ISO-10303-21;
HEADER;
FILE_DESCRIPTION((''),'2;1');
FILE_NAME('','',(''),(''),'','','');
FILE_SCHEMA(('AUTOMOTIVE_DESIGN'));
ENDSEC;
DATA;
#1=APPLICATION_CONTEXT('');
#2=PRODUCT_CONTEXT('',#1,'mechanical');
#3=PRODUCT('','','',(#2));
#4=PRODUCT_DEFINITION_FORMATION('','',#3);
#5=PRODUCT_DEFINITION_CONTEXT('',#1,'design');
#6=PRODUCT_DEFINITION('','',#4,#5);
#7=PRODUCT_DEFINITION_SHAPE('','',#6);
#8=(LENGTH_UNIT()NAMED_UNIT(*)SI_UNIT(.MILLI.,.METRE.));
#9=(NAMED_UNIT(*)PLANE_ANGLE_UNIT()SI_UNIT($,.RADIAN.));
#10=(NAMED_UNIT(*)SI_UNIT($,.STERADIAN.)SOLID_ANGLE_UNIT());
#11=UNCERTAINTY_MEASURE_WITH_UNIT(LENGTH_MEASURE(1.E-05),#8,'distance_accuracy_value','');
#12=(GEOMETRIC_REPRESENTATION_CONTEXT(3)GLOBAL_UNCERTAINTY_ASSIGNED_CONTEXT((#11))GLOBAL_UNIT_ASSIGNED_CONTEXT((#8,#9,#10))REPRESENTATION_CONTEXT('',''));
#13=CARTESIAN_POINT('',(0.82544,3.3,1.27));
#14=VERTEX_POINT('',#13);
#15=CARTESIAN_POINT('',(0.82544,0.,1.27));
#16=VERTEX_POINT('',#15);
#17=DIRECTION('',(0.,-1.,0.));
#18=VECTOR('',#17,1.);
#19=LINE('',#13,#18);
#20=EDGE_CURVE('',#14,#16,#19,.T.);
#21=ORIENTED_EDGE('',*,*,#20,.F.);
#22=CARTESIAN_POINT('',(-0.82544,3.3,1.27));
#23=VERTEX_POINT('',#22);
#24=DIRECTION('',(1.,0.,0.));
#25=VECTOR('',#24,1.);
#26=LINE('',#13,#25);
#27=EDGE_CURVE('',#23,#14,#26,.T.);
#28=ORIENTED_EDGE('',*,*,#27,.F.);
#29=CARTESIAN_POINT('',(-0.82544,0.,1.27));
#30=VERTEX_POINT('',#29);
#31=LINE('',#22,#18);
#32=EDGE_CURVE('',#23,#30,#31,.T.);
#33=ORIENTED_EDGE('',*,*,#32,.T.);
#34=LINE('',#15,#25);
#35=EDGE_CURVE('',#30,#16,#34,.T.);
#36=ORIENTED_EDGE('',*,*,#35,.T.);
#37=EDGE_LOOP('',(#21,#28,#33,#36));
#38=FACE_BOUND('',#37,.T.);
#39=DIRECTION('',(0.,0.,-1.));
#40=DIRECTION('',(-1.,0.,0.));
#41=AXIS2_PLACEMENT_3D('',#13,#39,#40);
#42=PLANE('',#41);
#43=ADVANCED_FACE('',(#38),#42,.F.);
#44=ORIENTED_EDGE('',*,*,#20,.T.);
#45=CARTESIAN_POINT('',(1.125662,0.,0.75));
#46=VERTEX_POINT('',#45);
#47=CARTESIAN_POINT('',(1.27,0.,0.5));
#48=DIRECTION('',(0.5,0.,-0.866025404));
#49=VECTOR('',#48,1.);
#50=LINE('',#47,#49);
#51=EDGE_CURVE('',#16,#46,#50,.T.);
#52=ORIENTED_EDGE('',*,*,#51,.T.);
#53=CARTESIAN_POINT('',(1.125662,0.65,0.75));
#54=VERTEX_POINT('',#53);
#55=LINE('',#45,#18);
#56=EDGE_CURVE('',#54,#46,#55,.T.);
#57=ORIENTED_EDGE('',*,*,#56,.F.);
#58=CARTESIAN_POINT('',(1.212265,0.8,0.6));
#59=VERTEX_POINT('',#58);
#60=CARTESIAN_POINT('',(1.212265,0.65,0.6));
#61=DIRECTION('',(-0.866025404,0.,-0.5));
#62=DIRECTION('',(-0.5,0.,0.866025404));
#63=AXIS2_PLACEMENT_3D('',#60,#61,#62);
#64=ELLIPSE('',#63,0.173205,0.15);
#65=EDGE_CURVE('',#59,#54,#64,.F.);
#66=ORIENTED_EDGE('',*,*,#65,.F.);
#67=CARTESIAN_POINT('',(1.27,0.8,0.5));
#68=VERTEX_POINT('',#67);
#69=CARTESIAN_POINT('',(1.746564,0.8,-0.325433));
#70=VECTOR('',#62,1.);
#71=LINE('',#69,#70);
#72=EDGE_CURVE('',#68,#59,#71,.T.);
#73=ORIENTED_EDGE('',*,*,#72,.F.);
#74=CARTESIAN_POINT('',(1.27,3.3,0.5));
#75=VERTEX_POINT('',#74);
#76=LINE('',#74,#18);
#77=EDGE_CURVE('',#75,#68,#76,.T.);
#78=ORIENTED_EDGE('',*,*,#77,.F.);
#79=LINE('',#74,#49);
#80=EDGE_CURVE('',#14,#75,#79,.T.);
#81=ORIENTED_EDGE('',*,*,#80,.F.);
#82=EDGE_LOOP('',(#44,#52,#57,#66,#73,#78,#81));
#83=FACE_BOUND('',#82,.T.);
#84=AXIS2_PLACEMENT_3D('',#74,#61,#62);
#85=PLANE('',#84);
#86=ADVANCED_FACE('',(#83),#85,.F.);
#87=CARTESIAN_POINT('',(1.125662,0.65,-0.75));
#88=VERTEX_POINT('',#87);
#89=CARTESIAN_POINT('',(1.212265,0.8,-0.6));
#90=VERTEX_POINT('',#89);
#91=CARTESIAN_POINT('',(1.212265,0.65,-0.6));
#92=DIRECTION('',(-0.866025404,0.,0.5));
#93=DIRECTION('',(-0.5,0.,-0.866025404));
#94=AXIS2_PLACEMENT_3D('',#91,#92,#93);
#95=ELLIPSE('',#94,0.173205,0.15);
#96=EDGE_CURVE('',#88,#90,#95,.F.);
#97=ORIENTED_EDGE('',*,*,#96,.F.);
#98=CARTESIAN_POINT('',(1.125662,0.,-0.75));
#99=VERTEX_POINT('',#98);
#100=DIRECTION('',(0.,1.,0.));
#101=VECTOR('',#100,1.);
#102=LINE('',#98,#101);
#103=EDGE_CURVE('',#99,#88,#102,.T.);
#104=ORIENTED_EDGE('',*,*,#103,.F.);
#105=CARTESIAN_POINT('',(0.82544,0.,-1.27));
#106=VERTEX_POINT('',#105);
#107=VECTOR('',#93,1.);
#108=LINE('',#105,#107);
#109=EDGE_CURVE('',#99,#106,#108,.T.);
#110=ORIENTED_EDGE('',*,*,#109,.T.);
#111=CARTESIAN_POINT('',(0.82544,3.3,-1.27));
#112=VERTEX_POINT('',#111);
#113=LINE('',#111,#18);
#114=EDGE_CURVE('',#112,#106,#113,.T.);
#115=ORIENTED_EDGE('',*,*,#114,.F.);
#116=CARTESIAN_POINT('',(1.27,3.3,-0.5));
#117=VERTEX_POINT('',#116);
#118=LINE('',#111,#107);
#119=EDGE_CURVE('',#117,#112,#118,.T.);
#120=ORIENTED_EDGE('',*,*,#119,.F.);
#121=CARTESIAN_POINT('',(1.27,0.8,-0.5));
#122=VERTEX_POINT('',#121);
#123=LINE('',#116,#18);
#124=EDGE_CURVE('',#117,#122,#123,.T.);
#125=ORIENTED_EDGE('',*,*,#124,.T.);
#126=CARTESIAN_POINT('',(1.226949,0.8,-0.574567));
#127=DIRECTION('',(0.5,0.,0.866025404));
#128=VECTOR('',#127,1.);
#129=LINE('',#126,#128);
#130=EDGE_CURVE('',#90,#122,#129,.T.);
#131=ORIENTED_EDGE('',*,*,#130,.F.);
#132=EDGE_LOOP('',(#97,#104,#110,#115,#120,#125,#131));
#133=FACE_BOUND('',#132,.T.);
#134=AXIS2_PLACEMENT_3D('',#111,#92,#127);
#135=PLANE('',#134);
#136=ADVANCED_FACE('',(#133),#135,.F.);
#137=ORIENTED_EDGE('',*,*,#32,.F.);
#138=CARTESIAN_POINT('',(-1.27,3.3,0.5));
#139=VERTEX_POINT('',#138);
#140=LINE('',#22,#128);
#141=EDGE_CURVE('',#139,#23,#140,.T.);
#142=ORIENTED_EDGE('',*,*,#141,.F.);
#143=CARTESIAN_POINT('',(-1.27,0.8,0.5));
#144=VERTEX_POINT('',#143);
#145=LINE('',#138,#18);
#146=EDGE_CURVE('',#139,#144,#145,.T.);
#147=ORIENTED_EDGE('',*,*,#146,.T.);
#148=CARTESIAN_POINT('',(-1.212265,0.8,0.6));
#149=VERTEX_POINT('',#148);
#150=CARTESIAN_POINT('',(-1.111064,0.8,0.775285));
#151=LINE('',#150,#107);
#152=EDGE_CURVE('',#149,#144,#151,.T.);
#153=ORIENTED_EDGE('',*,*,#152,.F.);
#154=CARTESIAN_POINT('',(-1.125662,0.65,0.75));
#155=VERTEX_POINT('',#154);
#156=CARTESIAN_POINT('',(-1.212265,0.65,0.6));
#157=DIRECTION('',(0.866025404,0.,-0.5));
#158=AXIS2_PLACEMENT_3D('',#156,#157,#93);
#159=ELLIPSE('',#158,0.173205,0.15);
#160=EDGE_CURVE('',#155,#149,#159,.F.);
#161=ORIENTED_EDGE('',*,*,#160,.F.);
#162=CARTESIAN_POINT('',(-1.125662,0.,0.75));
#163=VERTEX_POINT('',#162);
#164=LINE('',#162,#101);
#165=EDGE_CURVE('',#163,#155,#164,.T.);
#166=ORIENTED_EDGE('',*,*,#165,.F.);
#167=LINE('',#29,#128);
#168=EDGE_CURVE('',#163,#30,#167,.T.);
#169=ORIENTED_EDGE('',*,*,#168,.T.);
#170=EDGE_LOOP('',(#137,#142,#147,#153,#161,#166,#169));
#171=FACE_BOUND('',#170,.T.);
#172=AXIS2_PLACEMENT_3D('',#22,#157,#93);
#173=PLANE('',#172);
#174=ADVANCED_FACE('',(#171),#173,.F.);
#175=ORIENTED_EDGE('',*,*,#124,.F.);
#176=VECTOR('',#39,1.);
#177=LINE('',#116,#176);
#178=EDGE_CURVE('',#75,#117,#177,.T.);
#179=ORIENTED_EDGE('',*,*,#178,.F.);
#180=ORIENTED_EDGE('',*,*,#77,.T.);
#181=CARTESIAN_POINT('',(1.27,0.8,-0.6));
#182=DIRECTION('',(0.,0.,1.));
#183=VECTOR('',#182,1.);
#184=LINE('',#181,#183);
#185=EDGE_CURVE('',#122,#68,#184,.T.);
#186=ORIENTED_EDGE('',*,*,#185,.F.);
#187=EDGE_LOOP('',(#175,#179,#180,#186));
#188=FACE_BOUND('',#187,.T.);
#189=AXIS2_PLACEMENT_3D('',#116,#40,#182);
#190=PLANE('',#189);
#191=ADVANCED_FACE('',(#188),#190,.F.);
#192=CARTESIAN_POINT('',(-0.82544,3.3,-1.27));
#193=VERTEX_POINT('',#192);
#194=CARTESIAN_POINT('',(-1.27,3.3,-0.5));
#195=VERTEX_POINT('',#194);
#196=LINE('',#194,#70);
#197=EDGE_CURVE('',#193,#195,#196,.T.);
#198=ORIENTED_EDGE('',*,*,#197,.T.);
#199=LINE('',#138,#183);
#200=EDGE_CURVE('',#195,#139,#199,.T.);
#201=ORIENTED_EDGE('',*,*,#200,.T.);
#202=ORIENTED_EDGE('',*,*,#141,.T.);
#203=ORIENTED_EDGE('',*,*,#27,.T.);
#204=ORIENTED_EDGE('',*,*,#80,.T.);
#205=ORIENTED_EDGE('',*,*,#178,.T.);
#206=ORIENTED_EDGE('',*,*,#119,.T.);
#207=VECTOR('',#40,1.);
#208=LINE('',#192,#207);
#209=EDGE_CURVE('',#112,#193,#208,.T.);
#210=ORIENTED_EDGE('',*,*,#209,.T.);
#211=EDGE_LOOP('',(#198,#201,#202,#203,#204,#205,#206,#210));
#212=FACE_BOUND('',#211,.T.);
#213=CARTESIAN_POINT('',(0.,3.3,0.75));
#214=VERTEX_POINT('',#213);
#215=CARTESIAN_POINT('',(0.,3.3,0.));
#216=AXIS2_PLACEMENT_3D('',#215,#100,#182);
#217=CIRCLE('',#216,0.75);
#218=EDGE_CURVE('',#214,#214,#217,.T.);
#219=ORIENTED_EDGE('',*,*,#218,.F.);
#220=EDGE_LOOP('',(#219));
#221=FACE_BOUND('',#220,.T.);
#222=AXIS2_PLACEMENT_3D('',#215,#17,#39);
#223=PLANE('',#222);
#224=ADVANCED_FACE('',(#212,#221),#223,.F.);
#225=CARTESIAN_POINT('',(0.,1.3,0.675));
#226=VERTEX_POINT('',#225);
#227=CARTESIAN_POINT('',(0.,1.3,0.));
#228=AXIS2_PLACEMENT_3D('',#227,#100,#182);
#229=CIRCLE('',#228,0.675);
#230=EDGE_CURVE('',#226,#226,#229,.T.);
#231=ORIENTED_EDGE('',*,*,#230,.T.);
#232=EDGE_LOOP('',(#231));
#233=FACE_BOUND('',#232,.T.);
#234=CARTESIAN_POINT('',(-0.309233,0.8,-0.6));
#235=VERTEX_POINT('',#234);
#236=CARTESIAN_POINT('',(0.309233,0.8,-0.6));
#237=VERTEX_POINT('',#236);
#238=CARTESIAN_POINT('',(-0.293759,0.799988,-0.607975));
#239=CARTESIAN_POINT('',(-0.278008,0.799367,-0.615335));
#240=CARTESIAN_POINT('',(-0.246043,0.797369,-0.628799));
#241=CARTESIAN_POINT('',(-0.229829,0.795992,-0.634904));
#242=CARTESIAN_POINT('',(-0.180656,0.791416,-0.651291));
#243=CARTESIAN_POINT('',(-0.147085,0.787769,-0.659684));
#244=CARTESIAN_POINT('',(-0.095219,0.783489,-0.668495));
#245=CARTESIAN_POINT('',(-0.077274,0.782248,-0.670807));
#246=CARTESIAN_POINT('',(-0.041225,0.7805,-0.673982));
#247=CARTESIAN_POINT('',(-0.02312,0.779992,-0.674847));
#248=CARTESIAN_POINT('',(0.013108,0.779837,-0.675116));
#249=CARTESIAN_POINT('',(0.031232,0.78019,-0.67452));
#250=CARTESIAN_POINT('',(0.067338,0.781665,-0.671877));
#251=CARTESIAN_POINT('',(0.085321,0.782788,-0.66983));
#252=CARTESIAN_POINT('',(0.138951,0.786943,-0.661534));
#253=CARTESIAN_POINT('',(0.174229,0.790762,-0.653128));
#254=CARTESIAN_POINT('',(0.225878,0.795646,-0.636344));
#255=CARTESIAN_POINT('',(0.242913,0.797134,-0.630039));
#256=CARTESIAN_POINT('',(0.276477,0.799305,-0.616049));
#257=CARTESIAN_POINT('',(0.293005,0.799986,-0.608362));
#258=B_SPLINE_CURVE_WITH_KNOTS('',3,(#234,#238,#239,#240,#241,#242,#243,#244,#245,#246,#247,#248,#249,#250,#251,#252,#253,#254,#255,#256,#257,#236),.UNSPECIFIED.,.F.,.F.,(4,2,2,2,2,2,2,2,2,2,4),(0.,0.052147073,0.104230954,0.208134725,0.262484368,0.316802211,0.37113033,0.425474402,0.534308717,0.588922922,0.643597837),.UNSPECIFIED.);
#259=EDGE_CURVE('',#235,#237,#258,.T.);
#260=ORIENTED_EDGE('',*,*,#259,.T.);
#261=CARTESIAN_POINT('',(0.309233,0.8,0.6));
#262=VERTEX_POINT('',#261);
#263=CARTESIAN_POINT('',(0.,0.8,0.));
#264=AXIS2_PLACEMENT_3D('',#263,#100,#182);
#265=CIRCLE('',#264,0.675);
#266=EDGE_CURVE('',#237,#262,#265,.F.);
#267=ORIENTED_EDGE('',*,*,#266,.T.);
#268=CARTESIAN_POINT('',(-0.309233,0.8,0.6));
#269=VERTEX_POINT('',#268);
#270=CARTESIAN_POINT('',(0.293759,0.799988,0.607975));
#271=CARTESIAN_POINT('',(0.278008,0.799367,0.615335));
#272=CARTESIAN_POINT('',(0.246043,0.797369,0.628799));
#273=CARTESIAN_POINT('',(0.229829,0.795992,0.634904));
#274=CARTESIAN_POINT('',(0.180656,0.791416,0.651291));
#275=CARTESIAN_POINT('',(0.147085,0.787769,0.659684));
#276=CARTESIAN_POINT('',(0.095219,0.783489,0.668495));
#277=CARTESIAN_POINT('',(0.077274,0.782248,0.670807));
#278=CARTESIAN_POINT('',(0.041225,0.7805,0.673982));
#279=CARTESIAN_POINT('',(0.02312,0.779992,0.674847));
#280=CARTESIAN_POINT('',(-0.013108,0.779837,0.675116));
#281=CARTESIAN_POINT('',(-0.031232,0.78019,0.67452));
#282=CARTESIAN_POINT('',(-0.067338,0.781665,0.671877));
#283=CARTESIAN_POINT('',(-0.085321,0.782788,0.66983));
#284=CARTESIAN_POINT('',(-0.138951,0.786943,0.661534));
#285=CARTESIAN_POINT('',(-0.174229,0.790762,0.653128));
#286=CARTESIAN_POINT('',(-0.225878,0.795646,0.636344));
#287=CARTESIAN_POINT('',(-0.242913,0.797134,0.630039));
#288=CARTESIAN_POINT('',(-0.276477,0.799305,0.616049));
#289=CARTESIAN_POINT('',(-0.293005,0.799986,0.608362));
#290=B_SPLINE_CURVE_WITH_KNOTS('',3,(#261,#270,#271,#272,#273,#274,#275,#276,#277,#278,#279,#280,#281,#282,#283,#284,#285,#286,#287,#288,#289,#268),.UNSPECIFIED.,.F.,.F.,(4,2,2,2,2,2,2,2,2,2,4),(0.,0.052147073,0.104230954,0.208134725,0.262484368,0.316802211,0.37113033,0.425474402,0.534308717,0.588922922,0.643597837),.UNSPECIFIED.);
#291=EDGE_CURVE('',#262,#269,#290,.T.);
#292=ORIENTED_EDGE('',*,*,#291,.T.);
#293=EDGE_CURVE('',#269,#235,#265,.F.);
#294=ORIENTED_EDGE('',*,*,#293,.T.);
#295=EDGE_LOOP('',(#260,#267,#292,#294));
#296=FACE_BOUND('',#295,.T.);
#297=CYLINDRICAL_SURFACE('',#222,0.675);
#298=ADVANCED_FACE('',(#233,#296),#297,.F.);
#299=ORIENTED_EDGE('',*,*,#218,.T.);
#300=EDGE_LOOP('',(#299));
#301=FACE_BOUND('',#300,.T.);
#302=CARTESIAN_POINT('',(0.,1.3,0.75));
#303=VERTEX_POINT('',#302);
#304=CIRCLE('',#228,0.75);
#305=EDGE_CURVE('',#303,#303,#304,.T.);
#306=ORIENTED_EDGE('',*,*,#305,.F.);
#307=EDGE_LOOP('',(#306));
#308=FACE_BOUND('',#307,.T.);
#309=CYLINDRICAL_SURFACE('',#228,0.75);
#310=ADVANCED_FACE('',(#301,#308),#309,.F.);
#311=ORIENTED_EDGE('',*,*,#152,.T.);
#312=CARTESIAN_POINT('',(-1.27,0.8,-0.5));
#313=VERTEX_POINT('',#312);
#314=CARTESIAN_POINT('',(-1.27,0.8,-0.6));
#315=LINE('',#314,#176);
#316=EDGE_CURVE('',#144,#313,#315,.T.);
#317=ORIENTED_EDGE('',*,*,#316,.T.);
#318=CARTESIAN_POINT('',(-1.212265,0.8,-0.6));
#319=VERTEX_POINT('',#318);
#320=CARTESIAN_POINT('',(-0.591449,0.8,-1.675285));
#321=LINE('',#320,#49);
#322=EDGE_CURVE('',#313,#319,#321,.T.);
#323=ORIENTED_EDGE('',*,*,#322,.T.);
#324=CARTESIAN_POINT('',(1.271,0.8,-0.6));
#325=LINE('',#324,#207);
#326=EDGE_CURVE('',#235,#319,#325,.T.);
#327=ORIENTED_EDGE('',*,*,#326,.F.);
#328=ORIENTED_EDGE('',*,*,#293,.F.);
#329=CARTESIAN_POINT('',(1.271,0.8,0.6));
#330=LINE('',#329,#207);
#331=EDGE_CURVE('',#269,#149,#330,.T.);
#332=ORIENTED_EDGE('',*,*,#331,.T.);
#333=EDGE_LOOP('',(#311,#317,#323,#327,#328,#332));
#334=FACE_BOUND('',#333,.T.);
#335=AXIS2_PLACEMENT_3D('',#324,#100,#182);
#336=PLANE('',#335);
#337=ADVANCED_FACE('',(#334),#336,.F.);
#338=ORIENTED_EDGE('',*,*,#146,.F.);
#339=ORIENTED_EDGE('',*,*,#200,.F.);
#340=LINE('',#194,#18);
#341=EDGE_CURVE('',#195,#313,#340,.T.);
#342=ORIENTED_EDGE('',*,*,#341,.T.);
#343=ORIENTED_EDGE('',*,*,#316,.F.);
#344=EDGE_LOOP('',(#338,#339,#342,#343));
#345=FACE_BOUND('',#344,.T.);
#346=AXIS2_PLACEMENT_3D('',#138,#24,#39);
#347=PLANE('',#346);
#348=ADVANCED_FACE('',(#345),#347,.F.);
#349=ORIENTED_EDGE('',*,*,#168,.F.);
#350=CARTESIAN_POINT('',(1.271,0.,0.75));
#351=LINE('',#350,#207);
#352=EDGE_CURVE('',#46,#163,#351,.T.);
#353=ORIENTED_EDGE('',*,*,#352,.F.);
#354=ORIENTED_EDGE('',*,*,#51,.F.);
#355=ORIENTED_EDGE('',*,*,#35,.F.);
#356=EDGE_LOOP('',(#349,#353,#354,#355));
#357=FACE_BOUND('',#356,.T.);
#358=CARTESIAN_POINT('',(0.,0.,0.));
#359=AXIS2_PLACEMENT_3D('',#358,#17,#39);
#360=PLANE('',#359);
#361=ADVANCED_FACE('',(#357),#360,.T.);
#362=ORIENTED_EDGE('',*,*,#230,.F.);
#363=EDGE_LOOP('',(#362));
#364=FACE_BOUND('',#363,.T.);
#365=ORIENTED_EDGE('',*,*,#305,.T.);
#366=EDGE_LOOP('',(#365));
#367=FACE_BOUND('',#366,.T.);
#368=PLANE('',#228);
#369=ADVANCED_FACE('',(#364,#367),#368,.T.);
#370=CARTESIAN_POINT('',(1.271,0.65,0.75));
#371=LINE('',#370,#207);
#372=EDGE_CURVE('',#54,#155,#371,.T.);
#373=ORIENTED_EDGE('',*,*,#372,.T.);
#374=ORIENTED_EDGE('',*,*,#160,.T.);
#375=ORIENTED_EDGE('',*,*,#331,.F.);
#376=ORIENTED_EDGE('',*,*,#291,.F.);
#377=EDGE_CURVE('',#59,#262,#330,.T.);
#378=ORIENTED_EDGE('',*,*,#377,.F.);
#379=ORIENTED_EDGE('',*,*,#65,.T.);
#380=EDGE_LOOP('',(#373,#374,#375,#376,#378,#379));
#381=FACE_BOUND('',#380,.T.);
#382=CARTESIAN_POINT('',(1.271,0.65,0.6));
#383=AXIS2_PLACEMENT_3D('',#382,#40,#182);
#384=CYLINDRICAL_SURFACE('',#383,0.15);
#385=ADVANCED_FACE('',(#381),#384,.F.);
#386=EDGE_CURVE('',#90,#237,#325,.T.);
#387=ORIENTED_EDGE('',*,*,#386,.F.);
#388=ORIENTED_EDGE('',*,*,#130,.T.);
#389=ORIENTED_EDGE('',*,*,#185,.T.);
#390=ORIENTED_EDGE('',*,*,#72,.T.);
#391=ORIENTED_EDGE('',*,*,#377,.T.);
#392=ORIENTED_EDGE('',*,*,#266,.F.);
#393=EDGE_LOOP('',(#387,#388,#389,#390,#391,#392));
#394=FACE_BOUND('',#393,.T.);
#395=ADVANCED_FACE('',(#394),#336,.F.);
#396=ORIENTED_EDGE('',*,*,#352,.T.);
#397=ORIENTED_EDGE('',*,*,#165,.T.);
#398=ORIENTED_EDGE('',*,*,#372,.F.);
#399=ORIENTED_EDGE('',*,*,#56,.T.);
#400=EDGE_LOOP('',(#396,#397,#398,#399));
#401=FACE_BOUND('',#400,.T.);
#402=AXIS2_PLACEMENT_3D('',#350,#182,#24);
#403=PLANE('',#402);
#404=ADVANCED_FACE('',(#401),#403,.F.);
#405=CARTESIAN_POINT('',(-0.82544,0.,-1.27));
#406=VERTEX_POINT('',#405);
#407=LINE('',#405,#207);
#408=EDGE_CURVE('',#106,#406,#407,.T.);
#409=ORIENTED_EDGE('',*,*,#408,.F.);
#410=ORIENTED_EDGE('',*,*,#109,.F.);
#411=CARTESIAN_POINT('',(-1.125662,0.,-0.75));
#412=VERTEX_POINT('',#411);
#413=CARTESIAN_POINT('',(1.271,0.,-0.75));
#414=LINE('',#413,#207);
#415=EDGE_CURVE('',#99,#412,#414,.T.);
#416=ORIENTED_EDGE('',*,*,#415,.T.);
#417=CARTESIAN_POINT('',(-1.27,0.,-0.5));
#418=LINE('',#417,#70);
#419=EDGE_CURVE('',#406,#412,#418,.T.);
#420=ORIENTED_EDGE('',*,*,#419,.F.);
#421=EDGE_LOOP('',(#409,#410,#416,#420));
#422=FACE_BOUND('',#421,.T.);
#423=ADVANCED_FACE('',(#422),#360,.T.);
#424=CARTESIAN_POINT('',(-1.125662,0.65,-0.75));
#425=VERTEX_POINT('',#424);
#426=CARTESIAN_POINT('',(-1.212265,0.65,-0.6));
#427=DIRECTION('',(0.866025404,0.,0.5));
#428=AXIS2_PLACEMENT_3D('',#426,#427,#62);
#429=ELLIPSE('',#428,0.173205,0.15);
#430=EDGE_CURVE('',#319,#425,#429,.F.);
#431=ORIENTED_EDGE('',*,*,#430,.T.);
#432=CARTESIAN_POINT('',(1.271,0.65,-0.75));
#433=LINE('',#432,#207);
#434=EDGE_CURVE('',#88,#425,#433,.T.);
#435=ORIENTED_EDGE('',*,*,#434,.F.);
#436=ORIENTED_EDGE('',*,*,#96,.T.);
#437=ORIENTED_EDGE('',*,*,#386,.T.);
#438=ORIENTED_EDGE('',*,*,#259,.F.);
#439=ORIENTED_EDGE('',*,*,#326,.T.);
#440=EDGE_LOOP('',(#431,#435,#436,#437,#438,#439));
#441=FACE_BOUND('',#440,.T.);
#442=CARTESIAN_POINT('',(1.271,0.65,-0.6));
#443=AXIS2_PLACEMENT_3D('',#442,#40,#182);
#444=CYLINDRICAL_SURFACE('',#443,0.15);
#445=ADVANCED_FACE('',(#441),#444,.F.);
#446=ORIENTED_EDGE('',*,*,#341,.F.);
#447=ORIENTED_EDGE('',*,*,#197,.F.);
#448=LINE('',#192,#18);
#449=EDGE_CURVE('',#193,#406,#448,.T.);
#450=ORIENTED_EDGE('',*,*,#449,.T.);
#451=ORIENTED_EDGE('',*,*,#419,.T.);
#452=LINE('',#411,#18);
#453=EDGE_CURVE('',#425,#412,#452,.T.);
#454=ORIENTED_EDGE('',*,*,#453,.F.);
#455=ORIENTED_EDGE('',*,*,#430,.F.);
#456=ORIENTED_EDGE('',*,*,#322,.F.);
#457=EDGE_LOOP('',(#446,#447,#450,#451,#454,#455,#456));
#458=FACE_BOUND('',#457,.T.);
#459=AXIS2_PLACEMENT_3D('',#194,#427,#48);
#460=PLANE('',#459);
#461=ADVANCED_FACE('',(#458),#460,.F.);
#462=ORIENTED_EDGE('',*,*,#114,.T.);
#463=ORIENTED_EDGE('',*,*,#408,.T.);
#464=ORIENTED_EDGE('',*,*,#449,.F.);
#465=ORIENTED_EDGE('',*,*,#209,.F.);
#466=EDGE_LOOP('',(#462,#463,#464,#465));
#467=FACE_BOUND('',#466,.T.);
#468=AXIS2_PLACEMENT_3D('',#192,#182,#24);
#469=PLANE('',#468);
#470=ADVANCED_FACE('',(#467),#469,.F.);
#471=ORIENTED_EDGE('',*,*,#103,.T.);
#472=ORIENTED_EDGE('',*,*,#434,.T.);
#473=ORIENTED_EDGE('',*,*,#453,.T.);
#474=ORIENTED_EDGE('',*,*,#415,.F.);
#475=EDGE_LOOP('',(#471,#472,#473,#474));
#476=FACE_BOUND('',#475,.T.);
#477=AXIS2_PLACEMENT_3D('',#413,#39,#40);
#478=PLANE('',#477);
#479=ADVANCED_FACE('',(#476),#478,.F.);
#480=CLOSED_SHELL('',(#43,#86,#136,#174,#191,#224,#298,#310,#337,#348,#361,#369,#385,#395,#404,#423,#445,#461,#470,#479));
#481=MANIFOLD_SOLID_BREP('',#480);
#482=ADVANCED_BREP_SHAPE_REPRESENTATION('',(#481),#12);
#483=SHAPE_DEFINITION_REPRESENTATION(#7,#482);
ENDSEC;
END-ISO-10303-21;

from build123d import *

# Parameters (mm, degrees)
SKETCH1_R           = 0.675
BOSS_EXTRUDE1_DEPTH = 3.3
CUT_EXTRUDE1_REACH  = 4.54
SKETCH3_R           = 0.75
CUT_EXTRUDE2_DEPTH  = 2


with BuildPart() as part:
    # Sketch1 → Boss-Extrude1 (new body)
    with BuildSketch(Plane(origin=(0, 0, 0), x_dir=(1, 0, 0), z_dir=(0, 1, 0))):
        Polygon((-0.825440293, 1.27), (0.825440293, 1.27), (1.27, 0.5), (1.27, -0.5), (0.825440293, -1.27), (-0.825440293, -1.27), (-1.27, -0.5), (-1.27, 0.5), align=None)
        Circle(SKETCH1_R, mode=Mode.SUBTRACT)
    extrude(amount=BOSS_EXTRUDE1_DEPTH)

    # Sketch2 → Cut-Extrude1 (cut, up to next)
    with BuildSketch(Plane.ZY.offset(1.27), mode=Mode.PRIVATE) as cut_extrude1_sk1:
        with BuildLine():
            Line((-0.75, 0), (0.75, 0))
            Line((0.75, 0), (0.75, 0.65))
            ThreePointArc((0.75, 0.65), (0.706066017, 0.756066017), (0.6, 0.8))
            Line((0.6, 0.8), (-0.6, 0.8))
            ThreePointArc((-0.6, 0.8), (-0.706066017, 0.756066017), (-0.75, 0.65))
            Line((-0.75, 0.65), (-0.75, 0))
        make_face()
    cut_extrude1_tool1 = extrude(cut_extrude1_sk1.sketch, amount=-CUT_EXTRUDE1_REACH, mode=Mode.PRIVATE) & part.part
    add(cut_extrude1_tool1.solids().sort_by_distance((-1.27, 0.397027, 0))[0], mode=Mode.SUBTRACT)

    # Sketch3 → Cut-Extrude2 (cut)
    with BuildSketch(Plane(origin=(0, 3.3, 0), x_dir=(1, 0, 0), z_dir=(0, 1, 0))):
        Circle(SKETCH3_R)
    extrude(amount=-CUT_EXTRUDE2_DEPTH, mode=Mode.SUBTRACT)


solid = part.part
